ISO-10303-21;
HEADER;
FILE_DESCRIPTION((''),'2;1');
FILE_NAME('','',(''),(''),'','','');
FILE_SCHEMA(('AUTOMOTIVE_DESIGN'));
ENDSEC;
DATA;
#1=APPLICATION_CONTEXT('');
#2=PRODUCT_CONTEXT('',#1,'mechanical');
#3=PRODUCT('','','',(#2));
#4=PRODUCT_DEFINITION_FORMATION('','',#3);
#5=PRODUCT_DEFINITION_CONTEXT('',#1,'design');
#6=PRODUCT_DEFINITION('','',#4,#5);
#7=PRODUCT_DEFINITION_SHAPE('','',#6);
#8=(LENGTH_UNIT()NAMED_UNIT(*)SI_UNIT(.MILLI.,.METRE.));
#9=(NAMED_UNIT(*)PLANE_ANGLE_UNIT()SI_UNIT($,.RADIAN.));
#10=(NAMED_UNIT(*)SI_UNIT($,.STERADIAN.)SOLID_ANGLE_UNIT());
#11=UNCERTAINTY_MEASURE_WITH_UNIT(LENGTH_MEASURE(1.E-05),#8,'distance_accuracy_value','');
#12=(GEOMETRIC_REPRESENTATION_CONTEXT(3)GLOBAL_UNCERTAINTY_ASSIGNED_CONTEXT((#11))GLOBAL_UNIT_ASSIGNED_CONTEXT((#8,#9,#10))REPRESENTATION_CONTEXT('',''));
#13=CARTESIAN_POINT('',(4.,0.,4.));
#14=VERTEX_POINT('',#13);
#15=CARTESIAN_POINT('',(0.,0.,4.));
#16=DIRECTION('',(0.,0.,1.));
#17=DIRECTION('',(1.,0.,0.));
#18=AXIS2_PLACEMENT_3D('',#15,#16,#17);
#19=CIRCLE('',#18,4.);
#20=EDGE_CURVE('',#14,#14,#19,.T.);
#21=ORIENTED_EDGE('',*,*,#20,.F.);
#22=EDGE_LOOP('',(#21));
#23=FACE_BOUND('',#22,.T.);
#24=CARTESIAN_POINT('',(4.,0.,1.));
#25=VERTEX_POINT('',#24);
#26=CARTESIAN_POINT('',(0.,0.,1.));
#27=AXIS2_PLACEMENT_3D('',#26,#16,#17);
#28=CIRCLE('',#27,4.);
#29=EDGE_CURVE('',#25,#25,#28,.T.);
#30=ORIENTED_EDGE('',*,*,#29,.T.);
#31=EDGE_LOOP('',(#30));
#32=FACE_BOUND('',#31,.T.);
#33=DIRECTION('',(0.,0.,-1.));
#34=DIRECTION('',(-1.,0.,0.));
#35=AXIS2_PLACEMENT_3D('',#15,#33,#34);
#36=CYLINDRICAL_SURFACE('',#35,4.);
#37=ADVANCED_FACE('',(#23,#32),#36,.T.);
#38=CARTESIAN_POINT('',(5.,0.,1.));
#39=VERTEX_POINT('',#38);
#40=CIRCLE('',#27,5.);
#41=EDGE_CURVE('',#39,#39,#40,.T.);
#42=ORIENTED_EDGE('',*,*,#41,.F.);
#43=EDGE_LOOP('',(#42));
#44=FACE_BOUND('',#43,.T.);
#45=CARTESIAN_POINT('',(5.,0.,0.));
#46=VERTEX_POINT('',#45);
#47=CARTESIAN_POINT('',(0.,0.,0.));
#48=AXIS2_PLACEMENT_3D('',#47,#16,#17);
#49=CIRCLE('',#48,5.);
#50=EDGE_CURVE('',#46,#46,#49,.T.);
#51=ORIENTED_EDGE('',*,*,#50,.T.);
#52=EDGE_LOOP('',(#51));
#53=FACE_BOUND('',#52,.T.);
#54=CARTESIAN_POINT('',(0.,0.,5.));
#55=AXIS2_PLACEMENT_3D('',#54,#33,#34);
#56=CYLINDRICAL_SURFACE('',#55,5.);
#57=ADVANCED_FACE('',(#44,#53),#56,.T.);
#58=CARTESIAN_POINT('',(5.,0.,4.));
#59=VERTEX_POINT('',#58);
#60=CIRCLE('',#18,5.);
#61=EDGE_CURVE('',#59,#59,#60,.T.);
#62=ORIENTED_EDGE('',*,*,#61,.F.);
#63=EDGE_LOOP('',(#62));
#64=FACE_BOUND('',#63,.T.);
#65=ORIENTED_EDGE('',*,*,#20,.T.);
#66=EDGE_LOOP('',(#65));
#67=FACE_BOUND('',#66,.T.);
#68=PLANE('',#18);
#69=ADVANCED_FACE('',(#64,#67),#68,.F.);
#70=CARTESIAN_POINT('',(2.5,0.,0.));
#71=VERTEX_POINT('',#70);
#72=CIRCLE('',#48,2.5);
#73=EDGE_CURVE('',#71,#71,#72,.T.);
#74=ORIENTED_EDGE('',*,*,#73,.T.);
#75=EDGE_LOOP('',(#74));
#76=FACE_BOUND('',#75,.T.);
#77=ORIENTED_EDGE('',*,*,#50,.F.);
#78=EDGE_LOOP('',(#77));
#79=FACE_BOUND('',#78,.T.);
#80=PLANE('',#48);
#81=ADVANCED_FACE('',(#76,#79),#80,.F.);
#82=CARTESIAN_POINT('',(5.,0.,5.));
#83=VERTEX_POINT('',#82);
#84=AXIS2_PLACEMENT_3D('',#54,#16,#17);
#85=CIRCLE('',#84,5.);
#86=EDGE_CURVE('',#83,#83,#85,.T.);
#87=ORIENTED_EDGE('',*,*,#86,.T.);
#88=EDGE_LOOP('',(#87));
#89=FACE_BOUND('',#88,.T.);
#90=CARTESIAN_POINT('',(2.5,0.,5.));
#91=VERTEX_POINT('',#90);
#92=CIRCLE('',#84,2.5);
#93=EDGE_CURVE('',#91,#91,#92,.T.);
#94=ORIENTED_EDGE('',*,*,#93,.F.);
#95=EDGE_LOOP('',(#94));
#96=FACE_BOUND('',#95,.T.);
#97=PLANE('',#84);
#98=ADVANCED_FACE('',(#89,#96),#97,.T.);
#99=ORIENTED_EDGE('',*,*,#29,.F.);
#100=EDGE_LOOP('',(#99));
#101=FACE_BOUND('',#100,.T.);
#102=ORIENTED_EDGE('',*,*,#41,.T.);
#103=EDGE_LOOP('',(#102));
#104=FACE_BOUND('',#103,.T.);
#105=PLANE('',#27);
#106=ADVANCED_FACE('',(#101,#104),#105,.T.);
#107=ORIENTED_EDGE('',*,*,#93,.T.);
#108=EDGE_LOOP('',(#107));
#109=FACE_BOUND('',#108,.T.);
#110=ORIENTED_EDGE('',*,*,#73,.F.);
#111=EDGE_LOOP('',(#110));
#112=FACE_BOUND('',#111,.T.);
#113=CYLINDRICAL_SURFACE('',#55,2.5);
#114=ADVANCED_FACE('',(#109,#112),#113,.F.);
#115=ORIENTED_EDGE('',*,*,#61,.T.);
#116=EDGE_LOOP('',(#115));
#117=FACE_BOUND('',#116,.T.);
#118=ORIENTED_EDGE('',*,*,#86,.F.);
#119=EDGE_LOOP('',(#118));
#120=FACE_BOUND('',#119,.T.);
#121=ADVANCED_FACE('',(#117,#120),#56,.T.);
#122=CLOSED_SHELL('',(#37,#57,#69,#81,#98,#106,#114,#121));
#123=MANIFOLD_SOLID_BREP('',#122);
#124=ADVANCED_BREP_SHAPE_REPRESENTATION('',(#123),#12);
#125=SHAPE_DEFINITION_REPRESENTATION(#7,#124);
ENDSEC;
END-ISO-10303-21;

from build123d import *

# Parameters (mm, degrees)
SKETCH1_R           = 5
SKETCH1_R_2         = 2.5
BOSS_EXTRUDE1_DEPTH = 5
CUT_EXTRUDE1_START  = 1
SKETCH1_3_R         = 5
SKETCH1_3_R_2       = 4
CUT_EXTRUDE1_DEPTH  = 3


with BuildPart() as part:
    # Sketch1 → Boss-Extrude1 (new body)
    with BuildSketch(Plane.XY):
        Circle(SKETCH1_R)
        Circle(SKETCH1_R_2, mode=Mode.SUBTRACT)
    extrude(amount=BOSS_EXTRUDE1_DEPTH)

    # Sketch1<3> → Cut-Extrude1 (cut)
    with BuildSketch(Plane.XY.offset(CUT_EXTRUDE1_START)):
        Circle(SKETCH1_3_R)
        Circle(SKETCH1_3_R_2, mode=Mode.SUBTRACT)
    extrude(amount=CUT_EXTRUDE1_DEPTH, mode=Mode.SUBTRACT)


solid = part.part
